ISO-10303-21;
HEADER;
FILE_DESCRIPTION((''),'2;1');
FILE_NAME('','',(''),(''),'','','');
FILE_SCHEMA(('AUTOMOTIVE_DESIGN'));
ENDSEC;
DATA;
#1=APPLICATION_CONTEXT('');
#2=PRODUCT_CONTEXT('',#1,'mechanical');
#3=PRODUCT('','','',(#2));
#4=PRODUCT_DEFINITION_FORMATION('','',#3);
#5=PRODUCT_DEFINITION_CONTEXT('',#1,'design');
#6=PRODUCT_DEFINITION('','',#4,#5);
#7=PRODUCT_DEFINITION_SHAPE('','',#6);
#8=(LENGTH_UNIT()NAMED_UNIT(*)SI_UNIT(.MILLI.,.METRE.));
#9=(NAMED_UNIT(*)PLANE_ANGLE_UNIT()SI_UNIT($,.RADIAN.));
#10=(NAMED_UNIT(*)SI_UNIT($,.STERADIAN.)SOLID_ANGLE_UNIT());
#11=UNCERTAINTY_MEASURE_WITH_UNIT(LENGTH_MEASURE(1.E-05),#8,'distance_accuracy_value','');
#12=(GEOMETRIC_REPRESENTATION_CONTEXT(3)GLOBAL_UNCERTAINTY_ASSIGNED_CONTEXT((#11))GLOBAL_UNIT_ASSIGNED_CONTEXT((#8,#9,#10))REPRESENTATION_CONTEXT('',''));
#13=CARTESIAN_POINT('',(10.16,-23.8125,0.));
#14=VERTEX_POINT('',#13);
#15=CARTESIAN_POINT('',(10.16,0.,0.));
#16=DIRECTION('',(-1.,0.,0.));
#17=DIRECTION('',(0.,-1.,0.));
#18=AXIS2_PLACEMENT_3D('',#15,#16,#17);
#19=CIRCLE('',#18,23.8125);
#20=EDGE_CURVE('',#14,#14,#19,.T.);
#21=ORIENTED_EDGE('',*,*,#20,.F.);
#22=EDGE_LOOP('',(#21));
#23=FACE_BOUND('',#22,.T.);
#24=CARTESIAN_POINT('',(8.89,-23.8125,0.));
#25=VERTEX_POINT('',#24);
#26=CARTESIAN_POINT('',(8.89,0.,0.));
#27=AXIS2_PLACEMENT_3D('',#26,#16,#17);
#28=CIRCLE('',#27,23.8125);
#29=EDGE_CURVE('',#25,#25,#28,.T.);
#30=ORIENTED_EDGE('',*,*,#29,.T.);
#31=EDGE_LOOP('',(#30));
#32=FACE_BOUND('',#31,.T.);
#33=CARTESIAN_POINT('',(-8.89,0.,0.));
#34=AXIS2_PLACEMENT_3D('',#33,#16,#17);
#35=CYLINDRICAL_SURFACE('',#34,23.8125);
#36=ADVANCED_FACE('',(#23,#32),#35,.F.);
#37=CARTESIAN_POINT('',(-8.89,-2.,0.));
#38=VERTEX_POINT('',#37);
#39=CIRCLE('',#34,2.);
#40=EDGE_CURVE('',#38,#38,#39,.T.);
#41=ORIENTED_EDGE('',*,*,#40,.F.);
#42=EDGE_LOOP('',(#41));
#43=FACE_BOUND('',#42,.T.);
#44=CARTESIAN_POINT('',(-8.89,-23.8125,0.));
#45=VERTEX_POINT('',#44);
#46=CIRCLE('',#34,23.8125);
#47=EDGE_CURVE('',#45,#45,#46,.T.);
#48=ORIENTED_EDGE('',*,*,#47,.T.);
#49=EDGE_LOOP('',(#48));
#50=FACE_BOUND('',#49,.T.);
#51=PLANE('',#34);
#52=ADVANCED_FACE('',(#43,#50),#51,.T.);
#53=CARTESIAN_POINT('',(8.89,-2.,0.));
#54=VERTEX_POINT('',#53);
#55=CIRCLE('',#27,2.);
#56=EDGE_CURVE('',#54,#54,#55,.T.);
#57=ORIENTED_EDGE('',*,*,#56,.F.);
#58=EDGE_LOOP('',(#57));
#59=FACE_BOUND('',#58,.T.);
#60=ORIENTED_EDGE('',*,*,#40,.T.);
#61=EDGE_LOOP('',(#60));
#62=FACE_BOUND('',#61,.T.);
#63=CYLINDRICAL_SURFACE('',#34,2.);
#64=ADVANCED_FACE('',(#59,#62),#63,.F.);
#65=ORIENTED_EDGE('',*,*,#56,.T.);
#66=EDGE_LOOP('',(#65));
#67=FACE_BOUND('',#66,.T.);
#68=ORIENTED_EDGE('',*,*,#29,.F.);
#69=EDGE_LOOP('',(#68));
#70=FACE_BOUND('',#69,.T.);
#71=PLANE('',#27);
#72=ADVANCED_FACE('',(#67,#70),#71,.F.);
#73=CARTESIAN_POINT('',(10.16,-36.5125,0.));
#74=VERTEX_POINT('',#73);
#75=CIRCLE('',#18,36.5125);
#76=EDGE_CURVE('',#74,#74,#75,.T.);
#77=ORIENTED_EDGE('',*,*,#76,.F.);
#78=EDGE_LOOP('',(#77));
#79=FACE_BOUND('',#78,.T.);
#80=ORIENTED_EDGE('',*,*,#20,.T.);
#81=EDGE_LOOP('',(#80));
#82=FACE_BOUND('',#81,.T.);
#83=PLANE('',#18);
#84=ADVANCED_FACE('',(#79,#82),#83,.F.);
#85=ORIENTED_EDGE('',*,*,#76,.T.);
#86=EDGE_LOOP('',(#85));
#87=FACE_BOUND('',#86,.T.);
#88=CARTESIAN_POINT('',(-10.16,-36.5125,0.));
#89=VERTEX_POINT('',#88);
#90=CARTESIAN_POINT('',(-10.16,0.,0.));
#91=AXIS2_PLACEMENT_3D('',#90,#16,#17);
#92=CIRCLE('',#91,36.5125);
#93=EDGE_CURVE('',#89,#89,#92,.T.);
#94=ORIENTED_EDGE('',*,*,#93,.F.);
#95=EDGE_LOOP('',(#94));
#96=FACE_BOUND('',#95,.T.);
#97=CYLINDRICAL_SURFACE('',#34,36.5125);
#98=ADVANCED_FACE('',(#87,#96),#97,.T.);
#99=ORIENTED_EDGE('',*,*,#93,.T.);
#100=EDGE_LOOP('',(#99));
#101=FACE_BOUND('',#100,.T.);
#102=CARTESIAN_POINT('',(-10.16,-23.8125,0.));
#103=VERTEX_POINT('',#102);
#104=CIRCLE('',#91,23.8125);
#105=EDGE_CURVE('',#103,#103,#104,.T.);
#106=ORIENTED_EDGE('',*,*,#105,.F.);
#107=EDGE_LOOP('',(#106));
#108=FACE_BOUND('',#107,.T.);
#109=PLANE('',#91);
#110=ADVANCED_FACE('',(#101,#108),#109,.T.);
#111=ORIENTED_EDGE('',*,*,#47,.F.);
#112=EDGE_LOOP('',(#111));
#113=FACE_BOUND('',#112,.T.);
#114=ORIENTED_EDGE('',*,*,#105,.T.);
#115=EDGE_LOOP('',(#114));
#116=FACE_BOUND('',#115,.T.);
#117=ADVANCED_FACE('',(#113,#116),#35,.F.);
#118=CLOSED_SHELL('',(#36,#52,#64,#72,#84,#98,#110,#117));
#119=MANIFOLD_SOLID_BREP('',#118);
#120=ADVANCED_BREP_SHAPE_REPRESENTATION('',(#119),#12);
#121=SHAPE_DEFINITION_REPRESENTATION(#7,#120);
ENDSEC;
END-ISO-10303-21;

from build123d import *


with BuildPart() as part:
    # Sketch1 → Revolve1 (revolve)
    with BuildSketch(Plane.XY, mode=Mode.PRIVATE) as revolve1_sk:
        Polygon((0, 36.5125), (0, 2), (8.89, 2), (8.89, 23.8125), (10.16, 23.8125), (10.16, 36.5125), align=None)
        Polygon((-8.89, 23.8125), (-8.89, 2), (0, 2), (0, 36.5125), (-10.16, 36.5125), (-10.16, 23.8125), align=None)
    revolve(revolve1_sk.sketch.rotate(Axis((-8.89, 0, 0), (1, 0, 0)), 180), axis=Axis((-8.89, 0, 0), (1, 0, 0)))


solid = part.part
